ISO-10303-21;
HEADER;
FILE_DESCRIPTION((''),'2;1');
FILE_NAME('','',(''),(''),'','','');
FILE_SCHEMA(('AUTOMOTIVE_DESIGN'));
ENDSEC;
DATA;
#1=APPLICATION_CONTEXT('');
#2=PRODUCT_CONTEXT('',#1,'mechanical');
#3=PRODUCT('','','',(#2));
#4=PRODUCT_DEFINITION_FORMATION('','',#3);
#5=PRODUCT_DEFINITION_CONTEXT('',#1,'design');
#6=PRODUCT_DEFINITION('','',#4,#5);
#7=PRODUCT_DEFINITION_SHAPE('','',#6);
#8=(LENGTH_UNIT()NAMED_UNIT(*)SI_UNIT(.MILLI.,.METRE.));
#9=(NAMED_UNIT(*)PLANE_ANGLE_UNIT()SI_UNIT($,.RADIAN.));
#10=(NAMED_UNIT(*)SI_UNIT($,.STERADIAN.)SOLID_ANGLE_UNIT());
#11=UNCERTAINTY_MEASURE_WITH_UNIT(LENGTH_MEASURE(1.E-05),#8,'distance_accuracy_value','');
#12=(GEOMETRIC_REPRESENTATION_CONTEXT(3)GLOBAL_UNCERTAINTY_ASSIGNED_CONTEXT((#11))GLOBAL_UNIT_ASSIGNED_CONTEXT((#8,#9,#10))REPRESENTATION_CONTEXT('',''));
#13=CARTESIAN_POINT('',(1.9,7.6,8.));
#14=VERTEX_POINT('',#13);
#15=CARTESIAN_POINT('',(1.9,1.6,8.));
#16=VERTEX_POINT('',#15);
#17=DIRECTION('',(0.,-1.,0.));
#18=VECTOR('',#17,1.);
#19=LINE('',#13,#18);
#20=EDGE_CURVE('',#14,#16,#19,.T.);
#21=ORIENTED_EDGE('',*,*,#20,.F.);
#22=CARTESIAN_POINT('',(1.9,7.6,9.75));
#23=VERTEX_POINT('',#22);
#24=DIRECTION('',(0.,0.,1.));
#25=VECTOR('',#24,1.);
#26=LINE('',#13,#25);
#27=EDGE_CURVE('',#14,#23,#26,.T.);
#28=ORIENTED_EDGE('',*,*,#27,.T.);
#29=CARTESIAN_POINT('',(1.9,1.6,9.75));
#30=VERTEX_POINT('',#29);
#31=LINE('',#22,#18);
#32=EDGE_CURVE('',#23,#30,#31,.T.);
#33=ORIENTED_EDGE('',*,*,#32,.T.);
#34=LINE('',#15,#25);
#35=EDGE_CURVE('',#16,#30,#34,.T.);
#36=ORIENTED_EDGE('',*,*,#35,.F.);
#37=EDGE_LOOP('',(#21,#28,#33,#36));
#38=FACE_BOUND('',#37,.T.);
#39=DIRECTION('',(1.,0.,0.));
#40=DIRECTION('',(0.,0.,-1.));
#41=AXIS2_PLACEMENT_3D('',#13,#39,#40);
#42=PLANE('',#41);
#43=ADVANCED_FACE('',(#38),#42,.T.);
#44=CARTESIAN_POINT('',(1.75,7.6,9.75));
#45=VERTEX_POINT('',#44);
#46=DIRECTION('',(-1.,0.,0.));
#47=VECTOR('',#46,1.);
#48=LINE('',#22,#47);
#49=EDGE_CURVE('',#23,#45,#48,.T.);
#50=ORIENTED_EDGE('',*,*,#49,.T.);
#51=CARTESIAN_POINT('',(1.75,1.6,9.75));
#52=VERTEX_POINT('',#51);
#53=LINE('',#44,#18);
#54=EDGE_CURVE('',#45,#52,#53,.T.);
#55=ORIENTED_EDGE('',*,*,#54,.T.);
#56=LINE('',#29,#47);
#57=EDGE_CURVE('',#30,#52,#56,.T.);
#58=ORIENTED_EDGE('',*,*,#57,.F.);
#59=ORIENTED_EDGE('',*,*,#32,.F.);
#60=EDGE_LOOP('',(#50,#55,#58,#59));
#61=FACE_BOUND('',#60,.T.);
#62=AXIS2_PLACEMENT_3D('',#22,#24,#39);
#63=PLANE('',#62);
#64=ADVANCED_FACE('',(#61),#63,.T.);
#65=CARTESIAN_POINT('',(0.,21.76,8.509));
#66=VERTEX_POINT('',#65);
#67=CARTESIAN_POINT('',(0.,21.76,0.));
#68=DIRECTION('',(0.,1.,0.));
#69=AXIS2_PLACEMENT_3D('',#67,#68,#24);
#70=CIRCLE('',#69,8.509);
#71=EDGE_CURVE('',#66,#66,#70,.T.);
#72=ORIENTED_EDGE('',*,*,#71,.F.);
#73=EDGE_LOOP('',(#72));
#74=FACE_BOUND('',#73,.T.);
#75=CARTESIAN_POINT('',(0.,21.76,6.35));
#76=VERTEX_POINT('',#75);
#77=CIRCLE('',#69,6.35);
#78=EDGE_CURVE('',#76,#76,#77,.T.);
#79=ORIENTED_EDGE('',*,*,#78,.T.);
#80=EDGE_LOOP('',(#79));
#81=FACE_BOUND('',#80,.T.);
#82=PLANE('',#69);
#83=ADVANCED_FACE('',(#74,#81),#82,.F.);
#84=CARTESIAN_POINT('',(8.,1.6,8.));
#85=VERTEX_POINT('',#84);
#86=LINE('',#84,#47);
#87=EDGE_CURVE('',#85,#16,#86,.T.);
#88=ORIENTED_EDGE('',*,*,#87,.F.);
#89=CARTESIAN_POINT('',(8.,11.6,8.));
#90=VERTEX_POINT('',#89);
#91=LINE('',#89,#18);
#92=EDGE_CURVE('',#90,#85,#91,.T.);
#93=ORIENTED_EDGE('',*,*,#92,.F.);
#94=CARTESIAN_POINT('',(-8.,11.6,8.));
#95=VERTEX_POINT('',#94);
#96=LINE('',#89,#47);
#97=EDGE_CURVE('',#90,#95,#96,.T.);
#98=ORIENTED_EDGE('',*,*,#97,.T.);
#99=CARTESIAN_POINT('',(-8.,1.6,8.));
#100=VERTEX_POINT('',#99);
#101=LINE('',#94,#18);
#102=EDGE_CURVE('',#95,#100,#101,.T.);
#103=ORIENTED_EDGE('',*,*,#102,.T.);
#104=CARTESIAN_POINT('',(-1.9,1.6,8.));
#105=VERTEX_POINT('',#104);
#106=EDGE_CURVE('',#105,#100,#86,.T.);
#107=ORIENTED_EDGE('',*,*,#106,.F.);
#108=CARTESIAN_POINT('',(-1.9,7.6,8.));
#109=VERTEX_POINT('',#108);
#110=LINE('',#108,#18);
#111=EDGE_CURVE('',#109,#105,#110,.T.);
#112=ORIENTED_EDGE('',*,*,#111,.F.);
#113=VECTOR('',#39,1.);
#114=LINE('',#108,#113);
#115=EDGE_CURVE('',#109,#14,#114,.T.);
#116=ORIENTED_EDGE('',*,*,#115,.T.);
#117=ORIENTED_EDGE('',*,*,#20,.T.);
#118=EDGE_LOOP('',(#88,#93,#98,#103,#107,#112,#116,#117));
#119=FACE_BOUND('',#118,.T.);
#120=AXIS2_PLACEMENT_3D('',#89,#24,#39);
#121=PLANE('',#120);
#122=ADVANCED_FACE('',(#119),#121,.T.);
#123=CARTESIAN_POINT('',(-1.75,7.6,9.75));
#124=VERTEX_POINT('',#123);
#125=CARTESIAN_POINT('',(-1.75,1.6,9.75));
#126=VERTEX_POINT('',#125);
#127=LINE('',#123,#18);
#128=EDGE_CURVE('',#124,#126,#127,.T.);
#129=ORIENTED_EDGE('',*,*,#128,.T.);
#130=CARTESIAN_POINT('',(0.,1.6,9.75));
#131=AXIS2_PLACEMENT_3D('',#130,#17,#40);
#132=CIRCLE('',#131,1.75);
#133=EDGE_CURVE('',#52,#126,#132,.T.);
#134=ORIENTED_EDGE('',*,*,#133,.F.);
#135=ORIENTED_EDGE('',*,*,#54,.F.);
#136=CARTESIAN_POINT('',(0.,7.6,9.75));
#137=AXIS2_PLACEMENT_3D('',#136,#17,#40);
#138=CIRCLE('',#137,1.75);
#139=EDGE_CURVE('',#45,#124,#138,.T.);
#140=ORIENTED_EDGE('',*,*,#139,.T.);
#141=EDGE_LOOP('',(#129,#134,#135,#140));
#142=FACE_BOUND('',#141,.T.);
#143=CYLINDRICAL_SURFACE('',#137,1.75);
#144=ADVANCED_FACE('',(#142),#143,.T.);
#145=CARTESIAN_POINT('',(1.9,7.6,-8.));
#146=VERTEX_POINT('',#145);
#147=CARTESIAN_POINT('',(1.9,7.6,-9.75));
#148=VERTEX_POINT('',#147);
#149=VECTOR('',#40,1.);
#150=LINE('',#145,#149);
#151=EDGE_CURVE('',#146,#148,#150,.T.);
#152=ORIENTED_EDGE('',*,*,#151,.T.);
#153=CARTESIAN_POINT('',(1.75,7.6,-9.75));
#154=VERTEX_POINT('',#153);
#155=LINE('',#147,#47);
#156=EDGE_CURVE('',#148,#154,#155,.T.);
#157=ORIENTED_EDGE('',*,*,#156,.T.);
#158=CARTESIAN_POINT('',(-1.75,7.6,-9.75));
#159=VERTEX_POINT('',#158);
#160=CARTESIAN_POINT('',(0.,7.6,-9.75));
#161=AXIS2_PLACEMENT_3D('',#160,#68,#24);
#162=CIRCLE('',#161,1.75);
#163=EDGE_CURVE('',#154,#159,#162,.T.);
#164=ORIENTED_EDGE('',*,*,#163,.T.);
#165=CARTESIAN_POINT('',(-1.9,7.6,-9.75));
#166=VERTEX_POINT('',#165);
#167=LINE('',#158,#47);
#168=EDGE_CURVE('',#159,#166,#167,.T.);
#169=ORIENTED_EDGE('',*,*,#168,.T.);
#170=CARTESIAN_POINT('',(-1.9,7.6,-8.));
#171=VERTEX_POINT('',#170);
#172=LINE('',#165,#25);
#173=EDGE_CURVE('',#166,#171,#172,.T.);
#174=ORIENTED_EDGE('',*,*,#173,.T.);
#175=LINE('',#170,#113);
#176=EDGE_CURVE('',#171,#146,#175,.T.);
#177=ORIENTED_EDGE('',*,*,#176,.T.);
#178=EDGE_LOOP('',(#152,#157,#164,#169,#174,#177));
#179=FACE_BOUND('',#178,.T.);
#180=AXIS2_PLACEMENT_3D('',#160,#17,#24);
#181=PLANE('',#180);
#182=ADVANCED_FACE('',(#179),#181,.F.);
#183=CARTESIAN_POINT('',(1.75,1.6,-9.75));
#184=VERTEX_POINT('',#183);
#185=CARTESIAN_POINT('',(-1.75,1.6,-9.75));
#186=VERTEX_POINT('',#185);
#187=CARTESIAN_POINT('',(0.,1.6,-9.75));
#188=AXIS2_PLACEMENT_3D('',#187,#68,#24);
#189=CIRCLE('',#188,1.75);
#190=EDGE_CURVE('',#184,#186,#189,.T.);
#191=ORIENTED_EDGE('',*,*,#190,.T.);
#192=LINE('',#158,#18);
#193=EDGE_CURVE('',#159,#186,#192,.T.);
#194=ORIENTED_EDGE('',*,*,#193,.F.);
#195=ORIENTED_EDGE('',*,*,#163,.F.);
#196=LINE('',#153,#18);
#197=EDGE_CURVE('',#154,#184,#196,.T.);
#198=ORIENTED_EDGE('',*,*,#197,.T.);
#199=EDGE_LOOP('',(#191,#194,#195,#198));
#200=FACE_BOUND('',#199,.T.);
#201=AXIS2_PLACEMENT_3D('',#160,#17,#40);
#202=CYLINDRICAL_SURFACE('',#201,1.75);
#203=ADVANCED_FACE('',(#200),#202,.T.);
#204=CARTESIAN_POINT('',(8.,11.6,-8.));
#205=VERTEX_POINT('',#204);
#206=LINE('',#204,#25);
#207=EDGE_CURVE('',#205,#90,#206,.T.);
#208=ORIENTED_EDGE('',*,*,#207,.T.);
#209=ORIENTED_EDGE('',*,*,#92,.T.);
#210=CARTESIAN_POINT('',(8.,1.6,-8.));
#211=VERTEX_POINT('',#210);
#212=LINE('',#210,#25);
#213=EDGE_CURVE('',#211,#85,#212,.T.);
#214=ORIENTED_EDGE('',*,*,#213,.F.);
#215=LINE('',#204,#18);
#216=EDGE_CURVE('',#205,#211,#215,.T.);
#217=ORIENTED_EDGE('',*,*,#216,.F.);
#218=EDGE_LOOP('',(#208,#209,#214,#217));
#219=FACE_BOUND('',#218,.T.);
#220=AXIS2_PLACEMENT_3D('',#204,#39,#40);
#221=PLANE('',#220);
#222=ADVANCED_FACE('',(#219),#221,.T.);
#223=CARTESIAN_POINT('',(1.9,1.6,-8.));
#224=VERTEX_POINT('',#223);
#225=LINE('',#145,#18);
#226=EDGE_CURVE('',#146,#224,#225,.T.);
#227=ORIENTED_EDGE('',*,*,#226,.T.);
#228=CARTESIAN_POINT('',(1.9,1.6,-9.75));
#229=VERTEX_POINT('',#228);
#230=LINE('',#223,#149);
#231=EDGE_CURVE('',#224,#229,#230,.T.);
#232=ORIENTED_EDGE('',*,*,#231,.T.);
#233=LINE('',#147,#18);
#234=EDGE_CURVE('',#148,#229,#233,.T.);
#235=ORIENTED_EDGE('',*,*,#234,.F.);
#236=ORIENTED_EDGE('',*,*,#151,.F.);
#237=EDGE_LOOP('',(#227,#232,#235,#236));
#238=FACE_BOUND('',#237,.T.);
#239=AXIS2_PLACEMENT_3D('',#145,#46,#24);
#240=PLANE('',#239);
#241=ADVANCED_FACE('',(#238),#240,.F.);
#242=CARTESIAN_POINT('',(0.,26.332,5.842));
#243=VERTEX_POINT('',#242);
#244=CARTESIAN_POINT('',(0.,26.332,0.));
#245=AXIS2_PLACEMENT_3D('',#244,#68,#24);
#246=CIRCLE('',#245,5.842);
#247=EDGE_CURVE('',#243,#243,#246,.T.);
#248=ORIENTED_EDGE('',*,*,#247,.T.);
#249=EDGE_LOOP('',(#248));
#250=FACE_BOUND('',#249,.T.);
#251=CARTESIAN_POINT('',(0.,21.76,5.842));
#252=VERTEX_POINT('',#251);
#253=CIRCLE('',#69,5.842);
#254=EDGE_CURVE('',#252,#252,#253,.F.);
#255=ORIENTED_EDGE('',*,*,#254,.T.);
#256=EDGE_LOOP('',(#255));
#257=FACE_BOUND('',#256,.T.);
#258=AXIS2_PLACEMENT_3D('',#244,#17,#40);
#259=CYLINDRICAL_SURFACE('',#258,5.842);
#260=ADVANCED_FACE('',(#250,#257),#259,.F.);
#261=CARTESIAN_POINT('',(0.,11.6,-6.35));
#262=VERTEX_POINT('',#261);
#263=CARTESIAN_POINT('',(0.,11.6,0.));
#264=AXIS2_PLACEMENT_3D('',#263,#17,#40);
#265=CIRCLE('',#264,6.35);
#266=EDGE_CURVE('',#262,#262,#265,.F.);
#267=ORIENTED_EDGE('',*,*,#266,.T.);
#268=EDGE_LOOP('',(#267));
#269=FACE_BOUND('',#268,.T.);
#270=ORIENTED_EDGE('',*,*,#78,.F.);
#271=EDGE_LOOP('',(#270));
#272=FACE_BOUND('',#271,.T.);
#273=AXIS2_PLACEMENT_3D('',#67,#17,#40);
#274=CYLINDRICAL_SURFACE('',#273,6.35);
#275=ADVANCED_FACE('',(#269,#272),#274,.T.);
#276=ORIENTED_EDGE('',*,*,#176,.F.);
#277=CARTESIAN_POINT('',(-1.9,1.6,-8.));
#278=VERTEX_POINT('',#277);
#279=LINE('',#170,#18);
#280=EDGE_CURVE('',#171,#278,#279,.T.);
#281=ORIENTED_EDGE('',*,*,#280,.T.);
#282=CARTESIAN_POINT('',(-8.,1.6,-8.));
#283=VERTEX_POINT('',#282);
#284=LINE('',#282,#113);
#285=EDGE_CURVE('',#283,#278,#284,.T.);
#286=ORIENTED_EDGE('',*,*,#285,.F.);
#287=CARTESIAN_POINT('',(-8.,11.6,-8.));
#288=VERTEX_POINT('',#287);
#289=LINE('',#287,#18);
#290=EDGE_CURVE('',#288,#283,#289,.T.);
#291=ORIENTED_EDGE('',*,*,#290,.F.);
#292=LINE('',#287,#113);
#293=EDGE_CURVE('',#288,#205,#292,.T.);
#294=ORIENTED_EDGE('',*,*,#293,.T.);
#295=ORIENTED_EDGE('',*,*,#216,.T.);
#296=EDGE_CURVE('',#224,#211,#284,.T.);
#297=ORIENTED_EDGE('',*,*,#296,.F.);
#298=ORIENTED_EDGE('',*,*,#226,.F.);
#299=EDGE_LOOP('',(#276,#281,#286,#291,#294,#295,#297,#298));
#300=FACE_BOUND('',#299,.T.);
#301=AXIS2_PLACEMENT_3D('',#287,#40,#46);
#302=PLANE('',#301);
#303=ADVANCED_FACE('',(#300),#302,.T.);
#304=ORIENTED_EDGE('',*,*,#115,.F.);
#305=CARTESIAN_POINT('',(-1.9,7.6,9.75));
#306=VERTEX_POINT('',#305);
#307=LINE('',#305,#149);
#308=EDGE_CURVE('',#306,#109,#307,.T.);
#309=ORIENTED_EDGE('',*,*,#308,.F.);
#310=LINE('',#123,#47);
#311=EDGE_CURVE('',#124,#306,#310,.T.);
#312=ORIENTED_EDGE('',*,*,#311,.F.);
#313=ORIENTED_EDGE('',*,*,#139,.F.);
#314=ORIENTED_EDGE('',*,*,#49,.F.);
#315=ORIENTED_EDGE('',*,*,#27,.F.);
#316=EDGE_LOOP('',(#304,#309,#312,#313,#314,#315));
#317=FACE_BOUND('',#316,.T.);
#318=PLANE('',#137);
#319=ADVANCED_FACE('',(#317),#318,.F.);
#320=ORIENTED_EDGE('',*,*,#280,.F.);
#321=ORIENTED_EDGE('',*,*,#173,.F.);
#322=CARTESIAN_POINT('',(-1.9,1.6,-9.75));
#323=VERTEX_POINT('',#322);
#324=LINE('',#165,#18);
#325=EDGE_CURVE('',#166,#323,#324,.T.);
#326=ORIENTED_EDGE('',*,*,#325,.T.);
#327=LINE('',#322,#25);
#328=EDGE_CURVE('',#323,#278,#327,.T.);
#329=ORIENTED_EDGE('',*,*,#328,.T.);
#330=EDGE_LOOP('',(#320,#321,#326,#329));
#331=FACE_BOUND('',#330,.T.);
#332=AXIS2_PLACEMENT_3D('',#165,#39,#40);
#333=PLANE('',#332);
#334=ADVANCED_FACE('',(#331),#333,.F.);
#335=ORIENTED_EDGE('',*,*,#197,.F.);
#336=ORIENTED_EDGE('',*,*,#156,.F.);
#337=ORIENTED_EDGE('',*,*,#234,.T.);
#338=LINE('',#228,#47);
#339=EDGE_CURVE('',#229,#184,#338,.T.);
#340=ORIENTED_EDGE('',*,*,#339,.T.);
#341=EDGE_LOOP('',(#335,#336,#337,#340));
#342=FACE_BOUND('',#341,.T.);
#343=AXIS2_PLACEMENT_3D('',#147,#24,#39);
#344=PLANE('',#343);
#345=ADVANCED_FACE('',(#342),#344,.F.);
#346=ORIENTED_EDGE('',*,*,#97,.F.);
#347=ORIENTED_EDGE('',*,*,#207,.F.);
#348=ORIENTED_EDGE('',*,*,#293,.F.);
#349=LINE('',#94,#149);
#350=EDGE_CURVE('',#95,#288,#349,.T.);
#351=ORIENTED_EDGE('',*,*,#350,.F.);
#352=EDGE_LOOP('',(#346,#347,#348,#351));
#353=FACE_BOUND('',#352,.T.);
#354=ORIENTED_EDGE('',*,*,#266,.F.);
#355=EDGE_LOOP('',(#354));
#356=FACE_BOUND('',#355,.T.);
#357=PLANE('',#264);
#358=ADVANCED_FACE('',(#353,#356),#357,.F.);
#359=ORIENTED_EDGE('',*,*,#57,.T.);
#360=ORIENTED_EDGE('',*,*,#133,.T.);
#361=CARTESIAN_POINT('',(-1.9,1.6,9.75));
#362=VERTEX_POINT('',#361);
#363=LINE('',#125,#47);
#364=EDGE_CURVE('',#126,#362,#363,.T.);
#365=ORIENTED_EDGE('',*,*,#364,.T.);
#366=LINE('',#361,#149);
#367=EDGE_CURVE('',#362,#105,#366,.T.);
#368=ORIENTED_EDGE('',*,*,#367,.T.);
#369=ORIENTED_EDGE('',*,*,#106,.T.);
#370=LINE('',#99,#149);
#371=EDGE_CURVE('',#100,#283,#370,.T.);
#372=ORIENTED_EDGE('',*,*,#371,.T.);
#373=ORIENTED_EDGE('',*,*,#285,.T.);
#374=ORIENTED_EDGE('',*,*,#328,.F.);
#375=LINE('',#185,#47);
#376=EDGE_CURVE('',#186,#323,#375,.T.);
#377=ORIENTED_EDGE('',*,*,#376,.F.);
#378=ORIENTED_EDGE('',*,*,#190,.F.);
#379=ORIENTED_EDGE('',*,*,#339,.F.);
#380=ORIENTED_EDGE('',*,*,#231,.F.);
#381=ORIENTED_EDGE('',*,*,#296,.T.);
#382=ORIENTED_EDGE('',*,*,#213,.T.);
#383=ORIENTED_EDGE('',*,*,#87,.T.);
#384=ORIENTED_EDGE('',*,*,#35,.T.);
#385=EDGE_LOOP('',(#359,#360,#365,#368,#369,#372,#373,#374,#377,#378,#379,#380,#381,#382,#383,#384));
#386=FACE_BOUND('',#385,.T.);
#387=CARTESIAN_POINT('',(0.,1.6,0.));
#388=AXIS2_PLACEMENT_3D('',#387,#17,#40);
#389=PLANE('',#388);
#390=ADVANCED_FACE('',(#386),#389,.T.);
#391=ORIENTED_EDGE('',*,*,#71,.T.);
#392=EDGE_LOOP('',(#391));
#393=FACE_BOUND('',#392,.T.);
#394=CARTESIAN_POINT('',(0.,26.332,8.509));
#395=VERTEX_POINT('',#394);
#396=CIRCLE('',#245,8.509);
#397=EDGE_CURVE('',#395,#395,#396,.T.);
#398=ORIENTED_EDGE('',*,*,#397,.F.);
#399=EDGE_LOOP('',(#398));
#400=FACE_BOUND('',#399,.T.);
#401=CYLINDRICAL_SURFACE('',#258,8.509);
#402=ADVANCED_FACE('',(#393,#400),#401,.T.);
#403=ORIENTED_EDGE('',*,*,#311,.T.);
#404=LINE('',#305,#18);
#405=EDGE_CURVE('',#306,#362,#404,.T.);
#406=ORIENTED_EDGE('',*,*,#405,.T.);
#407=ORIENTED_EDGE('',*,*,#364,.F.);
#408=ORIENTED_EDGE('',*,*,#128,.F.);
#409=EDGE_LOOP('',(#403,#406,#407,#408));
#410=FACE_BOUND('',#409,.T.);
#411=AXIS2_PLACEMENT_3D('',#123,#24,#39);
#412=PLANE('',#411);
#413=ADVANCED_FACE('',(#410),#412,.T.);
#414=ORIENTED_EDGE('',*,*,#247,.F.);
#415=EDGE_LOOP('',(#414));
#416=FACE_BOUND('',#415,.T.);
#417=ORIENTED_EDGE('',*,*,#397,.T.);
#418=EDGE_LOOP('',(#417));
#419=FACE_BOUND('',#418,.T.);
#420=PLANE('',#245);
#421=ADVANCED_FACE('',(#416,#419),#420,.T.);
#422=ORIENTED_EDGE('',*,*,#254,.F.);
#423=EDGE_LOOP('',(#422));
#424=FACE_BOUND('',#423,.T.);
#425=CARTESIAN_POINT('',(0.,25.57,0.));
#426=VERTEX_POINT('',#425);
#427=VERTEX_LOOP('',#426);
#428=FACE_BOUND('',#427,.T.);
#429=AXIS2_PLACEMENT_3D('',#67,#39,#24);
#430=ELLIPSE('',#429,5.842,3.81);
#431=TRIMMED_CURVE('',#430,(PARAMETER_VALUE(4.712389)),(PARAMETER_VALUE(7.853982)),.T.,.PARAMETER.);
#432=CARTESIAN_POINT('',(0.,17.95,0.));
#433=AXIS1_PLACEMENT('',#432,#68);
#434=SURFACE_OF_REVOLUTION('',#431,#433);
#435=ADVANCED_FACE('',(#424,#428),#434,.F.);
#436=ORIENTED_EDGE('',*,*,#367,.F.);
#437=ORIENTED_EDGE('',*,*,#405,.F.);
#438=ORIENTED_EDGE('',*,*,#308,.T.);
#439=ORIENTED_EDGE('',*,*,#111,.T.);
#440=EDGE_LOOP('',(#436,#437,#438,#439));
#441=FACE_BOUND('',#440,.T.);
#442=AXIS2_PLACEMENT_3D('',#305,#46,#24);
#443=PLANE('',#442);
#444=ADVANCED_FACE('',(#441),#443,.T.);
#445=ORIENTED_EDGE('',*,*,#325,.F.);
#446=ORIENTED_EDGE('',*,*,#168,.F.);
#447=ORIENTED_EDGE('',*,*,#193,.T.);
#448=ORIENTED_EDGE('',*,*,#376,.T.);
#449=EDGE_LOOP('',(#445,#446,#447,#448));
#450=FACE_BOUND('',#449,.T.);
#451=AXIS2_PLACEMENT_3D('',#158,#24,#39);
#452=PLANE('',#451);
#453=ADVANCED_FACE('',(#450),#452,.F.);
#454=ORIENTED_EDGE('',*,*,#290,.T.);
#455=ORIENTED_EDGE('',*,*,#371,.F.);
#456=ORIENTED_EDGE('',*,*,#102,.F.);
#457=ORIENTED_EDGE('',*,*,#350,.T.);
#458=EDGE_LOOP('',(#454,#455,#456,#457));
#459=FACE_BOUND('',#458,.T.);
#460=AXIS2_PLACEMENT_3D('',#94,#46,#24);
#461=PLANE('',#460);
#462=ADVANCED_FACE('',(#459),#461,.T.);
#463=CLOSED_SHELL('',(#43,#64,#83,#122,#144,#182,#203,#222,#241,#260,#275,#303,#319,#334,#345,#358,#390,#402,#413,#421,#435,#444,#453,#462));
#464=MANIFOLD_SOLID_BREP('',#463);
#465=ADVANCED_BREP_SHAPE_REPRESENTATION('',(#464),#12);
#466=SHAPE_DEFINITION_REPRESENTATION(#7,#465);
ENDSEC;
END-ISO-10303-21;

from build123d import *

# Parameters (mm, degrees)
SKETCH1_W               = 16
SKETCH1_H               = 16
CCD_BASE_DEPTH          = 10
CCD_BASE_MOUNT_DEPTH    = 6
SKETCH5_R               = 6.35
LENSE_TUBE_DEPTH        = 10.16
SKETCH6_R               = 8.509
SKETCH6_R_2             = 5.842
LENSE_RIM_DEPTH         = 4.572
LENSE_GLASS_FACE_RADIUS = 5.842
LENSE_GLASS_HEIGHT      = 3.81


with BuildPart() as part:
    # Sketch1 → ccd_base (new body)
    with BuildSketch(Plane.XZ.offset(-1.6)):
        Rectangle(SKETCH1_W, SKETCH1_H)
    extrude(amount=-CCD_BASE_DEPTH)

    # Sketch2 → ccd_base_mount (add)
    with BuildSketch(Plane.XZ.offset(-1.6)):
        with BuildLine():
            Line((1.9, 9.75), (1.75, 9.75))
            ThreePointArc((1.75, 9.75), (0, 11.5), (-1.75, 9.75))
            Line((-1.75, 9.75), (-1.9, 9.75))
            Line((-1.9, 9.75), (-1.9, 8))
            Line((-1.9, 8), (1.9, 8))
            Line((1.9, 8), (1.9, 9.75))
        make_face()
    ccd_base_mount = extrude(amount=-CCD_BASE_MOUNT_DEPTH)

    # Mirror1: ccd_base_mount across plane
    add(ccd_base_mount.mirror(Plane.XY))

    # Sketch5 → lense_tube (add)
    with BuildSketch(Plane(origin=(0, 11.6, 0), x_dir=(1, 0, 0), z_dir=(0, 1, 0))):
        Circle(SKETCH5_R)
    extrude(amount=LENSE_TUBE_DEPTH)

    # Sketch6 → lense_rim (add)
    with BuildSketch(Plane(origin=(0, 21.76, 0), x_dir=(1, 0, 0), z_dir=(0, 1, 0))):
        Circle(SKETCH6_R)
        Circle(SKETCH6_R_2, mode=Mode.SUBTRACT)
    extrude(amount=LENSE_RIM_DEPTH)

    # lense_glass: an elliptical dome of height H over a round flat face of radius A is half a spheroid: the quarter ellipse of half axes A and H revolved about the face's axis
    with BuildSketch(Plane((0, 21.76, 0), x_dir=(0, 0, -1), z_dir=(1, 0, 0)), mode=Mode.PRIVATE) as lense_glass_quarter:
        Ellipse(LENSE_GLASS_FACE_RADIUS, LENSE_GLASS_HEIGHT)
        Rectangle(LENSE_GLASS_FACE_RADIUS, LENSE_GLASS_HEIGHT, align=(Align.MIN, Align.MIN), mode=Mode.INTERSECT)
    revolve(lense_glass_quarter.sketch, axis=Axis((0, 21.76, 0), (0, 1, 0)))


solid = part.part
